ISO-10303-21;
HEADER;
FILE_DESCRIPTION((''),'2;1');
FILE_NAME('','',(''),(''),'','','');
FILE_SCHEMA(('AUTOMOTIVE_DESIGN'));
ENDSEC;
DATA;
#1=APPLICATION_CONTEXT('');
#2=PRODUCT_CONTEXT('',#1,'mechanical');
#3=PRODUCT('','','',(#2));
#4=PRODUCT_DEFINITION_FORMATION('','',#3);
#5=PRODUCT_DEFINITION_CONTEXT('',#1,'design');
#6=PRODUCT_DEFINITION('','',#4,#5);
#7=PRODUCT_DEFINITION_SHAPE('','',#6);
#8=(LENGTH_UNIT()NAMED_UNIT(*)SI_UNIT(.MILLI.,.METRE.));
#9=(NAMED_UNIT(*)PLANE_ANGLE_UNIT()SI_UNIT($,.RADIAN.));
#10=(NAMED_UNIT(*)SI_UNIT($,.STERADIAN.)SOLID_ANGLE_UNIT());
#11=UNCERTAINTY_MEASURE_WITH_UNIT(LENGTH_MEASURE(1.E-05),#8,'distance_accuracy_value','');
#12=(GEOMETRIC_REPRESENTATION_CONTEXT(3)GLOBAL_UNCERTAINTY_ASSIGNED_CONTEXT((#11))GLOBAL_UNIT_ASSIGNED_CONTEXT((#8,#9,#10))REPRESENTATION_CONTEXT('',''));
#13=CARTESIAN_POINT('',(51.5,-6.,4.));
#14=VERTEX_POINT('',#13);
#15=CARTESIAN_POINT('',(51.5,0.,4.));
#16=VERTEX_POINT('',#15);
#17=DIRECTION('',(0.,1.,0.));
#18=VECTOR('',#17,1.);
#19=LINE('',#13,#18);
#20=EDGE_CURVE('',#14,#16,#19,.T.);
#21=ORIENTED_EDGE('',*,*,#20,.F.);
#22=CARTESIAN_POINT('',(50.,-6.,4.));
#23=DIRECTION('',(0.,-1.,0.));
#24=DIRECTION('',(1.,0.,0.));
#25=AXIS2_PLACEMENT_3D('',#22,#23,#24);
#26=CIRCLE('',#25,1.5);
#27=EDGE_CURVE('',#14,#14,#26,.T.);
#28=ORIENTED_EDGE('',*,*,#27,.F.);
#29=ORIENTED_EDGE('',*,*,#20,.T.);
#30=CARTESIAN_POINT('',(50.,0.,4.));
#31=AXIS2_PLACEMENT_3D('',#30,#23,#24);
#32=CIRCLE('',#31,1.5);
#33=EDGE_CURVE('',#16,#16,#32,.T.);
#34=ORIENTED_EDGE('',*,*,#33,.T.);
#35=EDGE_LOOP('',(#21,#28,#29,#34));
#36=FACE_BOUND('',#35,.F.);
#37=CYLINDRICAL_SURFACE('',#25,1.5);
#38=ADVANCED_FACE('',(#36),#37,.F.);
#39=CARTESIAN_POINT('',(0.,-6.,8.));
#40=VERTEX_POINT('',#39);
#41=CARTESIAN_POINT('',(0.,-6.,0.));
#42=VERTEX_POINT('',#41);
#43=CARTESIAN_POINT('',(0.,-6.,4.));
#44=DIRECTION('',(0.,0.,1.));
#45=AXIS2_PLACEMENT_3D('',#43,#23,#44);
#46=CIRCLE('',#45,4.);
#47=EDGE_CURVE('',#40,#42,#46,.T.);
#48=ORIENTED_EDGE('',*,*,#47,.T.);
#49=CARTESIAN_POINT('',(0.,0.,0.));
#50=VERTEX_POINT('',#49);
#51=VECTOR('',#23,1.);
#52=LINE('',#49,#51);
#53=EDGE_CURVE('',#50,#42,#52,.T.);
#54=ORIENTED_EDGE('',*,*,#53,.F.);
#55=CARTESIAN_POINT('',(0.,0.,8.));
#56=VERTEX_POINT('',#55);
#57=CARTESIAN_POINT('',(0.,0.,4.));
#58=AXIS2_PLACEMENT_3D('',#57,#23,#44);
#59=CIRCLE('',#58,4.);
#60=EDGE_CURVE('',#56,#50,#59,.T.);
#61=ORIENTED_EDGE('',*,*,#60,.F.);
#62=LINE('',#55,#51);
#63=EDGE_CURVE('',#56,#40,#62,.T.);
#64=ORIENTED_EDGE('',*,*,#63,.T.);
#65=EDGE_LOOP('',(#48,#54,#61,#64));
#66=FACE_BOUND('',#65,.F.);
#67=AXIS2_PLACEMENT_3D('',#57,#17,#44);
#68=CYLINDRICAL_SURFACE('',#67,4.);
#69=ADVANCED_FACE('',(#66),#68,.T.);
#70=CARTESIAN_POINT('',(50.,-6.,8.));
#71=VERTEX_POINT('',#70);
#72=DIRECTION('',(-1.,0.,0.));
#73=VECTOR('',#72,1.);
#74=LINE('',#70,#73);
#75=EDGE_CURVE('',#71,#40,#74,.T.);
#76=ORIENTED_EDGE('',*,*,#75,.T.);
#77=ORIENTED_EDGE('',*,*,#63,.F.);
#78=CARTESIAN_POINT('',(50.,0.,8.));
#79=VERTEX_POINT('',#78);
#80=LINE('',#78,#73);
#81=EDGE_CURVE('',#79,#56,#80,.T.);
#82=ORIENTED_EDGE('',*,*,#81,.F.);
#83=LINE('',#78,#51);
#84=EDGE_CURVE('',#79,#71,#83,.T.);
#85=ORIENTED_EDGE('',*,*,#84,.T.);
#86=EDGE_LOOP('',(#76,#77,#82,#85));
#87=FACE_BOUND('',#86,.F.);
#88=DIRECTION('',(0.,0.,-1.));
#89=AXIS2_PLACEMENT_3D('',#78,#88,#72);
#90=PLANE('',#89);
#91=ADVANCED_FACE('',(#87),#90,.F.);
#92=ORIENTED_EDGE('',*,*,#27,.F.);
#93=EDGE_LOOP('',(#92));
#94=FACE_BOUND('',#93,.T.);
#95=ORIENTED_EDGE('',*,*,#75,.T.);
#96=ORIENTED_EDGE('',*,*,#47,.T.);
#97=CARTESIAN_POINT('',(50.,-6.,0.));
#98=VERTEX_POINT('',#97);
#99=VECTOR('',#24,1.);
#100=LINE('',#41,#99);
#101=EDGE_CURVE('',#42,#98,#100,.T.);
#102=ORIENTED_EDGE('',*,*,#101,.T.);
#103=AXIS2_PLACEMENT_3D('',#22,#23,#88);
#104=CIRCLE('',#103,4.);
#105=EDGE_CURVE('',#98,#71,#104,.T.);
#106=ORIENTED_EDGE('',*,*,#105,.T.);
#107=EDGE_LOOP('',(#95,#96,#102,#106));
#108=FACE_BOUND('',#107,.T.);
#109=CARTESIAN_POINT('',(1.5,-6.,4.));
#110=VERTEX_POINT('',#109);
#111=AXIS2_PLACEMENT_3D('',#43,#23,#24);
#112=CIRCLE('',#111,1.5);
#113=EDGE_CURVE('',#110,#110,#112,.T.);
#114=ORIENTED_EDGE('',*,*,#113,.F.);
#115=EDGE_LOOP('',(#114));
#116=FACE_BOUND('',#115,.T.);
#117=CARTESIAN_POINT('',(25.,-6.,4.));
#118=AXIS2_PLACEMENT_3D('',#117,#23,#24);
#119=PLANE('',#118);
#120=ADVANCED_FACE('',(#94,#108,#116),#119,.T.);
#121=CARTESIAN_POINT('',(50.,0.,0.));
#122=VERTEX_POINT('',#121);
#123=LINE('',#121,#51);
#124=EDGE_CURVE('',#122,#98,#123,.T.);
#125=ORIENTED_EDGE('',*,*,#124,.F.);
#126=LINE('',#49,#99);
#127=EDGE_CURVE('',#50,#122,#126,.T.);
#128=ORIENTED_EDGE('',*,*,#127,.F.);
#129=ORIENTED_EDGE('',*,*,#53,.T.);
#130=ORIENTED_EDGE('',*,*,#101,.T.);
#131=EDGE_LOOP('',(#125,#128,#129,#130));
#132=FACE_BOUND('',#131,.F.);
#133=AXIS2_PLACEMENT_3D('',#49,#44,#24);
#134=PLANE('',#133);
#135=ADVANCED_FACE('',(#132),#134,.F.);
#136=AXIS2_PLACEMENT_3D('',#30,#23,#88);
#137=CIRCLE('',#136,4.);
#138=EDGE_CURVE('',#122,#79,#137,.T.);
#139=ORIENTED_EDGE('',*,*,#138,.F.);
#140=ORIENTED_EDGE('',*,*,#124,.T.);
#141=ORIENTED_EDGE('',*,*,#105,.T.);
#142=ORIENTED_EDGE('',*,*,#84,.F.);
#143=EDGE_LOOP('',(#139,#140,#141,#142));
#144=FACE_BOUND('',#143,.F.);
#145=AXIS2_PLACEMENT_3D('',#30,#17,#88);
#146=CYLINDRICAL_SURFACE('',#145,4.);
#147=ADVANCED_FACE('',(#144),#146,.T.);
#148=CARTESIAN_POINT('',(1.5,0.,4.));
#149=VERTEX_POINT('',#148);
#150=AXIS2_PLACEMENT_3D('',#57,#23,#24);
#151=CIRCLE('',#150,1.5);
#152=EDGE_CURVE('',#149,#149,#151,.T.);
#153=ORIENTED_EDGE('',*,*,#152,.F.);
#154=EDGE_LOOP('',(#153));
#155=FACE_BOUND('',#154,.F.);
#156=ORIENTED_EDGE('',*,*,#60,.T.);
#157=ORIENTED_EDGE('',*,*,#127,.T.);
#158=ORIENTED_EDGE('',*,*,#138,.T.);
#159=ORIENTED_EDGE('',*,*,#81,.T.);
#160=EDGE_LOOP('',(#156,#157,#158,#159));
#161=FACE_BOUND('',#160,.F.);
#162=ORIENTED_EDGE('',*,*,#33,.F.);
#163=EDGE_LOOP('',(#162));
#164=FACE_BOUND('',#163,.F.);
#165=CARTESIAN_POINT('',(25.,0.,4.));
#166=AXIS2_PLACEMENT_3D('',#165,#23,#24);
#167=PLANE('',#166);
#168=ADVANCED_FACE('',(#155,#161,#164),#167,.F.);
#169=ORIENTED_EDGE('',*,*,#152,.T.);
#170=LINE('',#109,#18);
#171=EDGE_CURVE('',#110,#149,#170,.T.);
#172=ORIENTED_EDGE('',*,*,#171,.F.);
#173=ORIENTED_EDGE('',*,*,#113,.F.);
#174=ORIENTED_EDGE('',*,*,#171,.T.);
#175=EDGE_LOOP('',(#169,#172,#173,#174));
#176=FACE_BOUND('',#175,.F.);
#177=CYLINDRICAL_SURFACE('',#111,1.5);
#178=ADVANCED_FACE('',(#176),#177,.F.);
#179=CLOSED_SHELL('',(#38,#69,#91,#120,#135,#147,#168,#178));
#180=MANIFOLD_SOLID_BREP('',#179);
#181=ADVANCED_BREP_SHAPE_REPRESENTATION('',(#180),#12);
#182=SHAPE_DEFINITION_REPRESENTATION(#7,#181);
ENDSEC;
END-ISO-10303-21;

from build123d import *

# Parameters (mm, degrees)
F1_DEPTH = 6
F2_R     = 1.5
F3_DEPTH = 6.001
F4_R     = 1.5
F5_DEPTH = 6.001


with BuildPart() as f1:
    # F0 (on Front) → F1 (new body)
    with BuildSketch(Plane.XZ):
        with BuildLine():
            ThreePointArc((0, 8), (-4, 4), (0, 0))
            Line((0, 0), (50, 0))
            ThreePointArc((50, 0), (54, 4), (50, 8))
            Line((50, 8), (0, 8))
        make_face()
    extrude(amount=F1_DEPTH)

    # F2 (on face) → F3 (cut, through all)
    with BuildSketch(Plane.XZ.offset(6)):
        with Locations((0, 4)):
            Circle(F2_R)
    extrude(amount=-F3_DEPTH, mode=Mode.SUBTRACT)

    # F4 (on face) → F5 (cut, through all)
    with BuildSketch(Plane.XZ.offset(6)):
        with Locations((50, 4)):
            Circle(F4_R)
    extrude(amount=-F5_DEPTH, mode=Mode.SUBTRACT)


solid = f1.part
